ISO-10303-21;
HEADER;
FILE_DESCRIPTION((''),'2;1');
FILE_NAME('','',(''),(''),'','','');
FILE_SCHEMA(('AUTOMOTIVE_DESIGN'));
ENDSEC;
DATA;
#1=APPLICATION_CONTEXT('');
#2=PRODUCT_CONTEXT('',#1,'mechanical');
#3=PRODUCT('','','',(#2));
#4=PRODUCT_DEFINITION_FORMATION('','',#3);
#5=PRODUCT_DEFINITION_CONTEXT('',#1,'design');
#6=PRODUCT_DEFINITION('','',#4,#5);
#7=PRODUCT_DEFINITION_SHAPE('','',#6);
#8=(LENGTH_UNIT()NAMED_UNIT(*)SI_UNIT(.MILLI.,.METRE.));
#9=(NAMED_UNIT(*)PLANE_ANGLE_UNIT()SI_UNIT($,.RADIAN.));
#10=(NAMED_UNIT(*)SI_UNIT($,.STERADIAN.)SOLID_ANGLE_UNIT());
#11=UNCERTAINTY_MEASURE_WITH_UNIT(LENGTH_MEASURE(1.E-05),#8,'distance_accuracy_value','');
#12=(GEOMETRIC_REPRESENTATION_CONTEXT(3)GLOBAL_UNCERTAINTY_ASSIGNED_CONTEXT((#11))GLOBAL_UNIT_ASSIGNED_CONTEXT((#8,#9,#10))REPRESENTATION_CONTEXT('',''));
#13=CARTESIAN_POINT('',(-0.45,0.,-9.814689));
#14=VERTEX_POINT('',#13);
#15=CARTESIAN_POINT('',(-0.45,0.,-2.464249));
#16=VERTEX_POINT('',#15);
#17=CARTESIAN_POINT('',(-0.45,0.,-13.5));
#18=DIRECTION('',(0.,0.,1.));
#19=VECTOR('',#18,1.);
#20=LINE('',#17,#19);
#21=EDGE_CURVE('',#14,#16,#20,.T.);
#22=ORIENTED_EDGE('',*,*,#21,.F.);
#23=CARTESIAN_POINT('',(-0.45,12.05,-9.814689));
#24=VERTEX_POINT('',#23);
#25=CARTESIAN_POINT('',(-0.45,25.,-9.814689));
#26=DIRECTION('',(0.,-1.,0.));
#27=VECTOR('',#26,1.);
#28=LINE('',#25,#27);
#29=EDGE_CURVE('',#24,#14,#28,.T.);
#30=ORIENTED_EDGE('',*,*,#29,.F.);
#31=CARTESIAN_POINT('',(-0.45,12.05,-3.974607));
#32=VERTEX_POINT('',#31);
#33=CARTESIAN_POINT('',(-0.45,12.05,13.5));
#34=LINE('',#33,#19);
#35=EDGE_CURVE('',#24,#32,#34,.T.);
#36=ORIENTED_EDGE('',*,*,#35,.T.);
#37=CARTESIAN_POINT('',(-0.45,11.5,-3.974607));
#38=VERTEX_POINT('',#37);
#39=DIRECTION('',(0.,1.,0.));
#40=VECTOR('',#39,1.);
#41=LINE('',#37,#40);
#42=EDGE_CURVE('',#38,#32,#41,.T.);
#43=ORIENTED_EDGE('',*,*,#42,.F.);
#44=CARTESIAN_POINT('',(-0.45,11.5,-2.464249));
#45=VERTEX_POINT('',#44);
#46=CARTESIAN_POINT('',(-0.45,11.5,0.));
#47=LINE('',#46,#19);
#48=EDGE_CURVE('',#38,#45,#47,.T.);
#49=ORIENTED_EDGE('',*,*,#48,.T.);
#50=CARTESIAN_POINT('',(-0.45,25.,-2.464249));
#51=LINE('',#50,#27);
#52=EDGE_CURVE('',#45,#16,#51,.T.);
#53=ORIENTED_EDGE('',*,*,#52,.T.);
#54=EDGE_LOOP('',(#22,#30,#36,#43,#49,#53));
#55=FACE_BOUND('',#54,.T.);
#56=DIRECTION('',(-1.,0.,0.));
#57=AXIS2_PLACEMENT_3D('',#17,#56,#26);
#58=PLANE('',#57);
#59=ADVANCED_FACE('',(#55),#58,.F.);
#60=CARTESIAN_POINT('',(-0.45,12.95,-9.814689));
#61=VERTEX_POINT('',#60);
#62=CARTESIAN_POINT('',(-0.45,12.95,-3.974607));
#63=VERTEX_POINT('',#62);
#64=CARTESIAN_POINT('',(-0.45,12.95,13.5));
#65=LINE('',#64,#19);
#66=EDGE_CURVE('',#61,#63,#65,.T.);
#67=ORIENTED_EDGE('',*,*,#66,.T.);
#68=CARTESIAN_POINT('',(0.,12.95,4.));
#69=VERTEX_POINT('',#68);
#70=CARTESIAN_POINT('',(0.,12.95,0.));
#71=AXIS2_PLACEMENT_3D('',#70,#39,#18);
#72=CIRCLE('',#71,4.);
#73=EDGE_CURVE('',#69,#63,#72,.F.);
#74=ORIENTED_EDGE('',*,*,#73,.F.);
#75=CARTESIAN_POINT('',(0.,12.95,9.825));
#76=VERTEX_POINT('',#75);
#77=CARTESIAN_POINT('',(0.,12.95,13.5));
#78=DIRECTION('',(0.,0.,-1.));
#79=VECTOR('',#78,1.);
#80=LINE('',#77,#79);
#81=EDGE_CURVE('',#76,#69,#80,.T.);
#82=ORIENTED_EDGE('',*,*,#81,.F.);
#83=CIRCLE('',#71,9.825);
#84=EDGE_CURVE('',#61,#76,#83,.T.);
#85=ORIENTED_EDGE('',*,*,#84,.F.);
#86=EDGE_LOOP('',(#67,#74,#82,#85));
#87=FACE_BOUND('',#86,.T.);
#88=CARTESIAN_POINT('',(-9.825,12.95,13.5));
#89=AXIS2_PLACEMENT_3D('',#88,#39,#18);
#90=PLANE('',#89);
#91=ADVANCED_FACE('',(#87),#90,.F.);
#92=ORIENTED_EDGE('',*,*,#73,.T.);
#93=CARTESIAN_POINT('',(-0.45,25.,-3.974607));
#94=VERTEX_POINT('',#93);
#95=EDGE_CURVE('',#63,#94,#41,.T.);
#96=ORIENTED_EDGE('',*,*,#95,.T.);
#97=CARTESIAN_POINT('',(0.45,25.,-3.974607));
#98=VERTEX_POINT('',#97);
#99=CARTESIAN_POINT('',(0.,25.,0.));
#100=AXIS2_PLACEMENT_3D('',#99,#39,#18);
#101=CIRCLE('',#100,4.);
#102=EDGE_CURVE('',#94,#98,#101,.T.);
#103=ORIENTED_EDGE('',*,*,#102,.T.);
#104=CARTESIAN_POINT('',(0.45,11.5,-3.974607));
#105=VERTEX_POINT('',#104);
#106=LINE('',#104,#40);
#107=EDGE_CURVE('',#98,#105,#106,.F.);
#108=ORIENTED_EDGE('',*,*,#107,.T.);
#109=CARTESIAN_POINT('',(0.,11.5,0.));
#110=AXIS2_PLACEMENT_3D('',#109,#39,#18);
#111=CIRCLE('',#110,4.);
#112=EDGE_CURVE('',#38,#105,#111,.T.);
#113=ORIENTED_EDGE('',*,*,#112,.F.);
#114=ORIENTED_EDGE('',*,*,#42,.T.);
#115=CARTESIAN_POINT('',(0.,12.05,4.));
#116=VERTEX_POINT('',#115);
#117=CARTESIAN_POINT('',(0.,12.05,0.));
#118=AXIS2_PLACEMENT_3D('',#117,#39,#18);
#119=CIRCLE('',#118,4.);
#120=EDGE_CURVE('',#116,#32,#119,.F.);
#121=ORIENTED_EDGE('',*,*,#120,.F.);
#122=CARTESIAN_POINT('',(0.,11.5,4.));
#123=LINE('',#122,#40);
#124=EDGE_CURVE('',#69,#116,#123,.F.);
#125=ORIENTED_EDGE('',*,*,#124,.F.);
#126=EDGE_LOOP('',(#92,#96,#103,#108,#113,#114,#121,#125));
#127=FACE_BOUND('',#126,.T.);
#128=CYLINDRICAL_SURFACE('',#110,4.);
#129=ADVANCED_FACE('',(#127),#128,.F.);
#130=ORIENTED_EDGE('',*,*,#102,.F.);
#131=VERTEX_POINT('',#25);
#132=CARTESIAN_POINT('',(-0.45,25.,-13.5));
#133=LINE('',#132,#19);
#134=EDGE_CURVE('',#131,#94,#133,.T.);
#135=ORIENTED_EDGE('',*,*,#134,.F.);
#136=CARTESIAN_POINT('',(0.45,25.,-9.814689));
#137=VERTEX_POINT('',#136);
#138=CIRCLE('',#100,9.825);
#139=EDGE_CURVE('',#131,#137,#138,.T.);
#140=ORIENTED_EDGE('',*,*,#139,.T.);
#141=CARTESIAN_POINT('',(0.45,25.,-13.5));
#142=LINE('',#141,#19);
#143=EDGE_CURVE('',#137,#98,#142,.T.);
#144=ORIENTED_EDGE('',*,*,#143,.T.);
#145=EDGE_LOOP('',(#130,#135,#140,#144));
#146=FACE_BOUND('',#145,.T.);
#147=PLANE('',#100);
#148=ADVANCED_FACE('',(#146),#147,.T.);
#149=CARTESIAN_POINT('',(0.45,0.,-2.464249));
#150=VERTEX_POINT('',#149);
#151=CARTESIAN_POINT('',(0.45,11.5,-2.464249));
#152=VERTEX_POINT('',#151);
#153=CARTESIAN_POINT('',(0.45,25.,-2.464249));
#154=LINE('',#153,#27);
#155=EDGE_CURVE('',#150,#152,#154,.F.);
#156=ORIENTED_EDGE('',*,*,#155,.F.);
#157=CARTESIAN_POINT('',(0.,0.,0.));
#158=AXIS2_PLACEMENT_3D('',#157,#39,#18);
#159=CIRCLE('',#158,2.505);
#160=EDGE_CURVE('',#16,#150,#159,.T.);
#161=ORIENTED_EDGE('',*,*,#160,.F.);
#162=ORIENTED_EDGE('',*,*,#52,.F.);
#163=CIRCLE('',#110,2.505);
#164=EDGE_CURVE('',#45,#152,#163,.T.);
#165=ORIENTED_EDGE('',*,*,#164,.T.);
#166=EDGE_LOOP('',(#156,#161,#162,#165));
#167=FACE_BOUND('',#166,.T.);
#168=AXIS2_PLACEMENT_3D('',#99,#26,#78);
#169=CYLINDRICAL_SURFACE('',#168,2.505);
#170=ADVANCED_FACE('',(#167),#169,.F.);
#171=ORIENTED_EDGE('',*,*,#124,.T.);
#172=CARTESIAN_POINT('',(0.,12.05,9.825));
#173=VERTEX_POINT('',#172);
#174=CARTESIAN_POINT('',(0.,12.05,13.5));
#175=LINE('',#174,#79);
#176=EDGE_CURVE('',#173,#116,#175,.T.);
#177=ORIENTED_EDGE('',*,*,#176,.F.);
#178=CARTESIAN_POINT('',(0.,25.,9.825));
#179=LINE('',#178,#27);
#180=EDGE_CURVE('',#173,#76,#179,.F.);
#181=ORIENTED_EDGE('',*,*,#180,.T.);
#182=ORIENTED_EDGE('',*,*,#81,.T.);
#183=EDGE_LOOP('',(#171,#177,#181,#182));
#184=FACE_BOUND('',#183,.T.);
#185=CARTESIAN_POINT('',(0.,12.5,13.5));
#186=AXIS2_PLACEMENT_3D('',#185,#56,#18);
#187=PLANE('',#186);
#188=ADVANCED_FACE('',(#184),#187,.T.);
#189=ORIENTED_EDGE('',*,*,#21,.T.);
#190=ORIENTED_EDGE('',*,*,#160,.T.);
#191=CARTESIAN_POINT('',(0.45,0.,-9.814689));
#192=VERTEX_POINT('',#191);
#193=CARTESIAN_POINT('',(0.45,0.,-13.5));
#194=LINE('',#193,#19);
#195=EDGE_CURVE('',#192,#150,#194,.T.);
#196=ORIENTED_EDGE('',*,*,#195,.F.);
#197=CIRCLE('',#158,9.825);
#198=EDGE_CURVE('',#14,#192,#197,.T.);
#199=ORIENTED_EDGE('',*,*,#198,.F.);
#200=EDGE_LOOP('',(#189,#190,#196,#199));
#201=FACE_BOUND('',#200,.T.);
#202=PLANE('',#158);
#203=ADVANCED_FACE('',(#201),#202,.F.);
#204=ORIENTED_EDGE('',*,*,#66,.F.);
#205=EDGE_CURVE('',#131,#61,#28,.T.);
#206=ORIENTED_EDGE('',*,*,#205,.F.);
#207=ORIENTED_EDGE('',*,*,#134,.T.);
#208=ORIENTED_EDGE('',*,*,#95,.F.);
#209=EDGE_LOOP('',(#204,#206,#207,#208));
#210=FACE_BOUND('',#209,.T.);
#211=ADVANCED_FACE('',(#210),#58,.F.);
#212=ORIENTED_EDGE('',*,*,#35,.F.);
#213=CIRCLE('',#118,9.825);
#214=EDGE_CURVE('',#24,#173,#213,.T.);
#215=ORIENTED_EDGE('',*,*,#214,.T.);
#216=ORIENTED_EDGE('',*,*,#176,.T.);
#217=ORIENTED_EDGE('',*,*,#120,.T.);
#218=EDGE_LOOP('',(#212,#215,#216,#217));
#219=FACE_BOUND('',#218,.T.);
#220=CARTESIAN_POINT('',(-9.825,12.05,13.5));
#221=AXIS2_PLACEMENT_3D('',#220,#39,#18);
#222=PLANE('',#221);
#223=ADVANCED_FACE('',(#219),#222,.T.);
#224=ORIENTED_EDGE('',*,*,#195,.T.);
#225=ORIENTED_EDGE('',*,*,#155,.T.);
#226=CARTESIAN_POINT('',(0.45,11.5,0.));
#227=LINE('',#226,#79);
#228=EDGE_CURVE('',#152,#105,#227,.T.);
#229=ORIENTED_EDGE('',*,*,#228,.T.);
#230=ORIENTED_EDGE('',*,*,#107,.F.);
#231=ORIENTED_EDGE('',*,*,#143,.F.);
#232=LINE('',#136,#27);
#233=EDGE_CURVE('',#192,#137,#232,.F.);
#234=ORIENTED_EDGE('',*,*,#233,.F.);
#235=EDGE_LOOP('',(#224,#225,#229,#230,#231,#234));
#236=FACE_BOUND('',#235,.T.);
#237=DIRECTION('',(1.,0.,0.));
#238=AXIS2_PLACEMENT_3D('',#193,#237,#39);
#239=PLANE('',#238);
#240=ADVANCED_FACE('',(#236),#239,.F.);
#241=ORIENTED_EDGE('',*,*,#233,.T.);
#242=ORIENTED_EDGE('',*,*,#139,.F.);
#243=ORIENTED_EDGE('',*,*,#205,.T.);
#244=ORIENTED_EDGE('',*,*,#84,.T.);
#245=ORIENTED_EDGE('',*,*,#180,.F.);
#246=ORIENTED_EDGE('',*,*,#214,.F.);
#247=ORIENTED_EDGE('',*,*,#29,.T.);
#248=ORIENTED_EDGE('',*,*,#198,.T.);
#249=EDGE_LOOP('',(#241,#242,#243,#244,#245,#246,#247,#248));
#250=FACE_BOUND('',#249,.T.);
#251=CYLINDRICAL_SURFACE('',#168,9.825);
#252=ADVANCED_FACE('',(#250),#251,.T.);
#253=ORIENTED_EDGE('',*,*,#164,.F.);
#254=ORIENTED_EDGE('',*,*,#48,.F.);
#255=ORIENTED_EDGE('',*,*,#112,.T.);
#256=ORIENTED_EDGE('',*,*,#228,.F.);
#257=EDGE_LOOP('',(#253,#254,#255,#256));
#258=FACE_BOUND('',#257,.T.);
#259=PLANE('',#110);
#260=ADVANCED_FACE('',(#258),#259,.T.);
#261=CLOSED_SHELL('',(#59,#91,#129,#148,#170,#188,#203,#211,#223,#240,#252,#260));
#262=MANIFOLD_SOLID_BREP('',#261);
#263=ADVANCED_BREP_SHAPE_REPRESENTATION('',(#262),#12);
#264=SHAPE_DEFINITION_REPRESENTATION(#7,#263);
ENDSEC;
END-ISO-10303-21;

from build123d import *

# Parameters (mm, degrees)
SKETCH1_R               = 9.825
SKETCH1_R_2             = 2.505
BOSS_EXTRUDE1_DEPTH     = 25
SKETCH2_R               = 4
CUT_EXTRUDE1_DEPTH      = 13.5
CUT_EXTRUDE2_DEPTH      = 13.5
CUT_EXTRUDE2_DEPTH_BACK = 13.5
CUT_EXTRUDE3_DEPTH      = 13.5


with BuildPart() as part:
    # Sketch1 → Boss-Extrude1 (new body)
    with BuildSketch(Plane(origin=(0, 0, 0), x_dir=(1, 0, 0), z_dir=(0, 1, 0))):
        Circle(SKETCH1_R)
        Circle(SKETCH1_R_2, mode=Mode.SUBTRACT)
    extrude(amount=BOSS_EXTRUDE1_DEPTH)

    # Sketch2 → Cut-Extrude1 (cut)
    with BuildSketch(Plane(origin=(0, 25, 0), x_dir=(1, 0, 0), z_dir=(0, 1, 0))):
        Circle(SKETCH2_R)
    extrude(amount=-CUT_EXTRUDE1_DEPTH, mode=Mode.SUBTRACT)

    # Sketch3 → Cut-Extrude2 (cut, two sides: drawn at the far end of the back side and taken through both)
    with BuildSketch(Plane.XY.offset(-CUT_EXTRUDE2_DEPTH_BACK)):
        Polygon((-9.825, 12.5), (-9.825, 12.95), (0, 12.95), (0, 12.5), (0, 12.05), (-9.825, 12.05), align=None)
    extrude(amount=CUT_EXTRUDE2_DEPTH + CUT_EXTRUDE2_DEPTH_BACK, mode=Mode.SUBTRACT)

    # Sketch5 → Cut-Extrude3 (cut)
    with BuildSketch(Plane.XY):
        Polygon((0, 0), (-0.45, 0), (-0.45, 25), (0, 25), (0.45, 25), (0.45, 0), align=None)
    extrude(amount=-CUT_EXTRUDE3_DEPTH, mode=Mode.SUBTRACT)


solid = part.part
